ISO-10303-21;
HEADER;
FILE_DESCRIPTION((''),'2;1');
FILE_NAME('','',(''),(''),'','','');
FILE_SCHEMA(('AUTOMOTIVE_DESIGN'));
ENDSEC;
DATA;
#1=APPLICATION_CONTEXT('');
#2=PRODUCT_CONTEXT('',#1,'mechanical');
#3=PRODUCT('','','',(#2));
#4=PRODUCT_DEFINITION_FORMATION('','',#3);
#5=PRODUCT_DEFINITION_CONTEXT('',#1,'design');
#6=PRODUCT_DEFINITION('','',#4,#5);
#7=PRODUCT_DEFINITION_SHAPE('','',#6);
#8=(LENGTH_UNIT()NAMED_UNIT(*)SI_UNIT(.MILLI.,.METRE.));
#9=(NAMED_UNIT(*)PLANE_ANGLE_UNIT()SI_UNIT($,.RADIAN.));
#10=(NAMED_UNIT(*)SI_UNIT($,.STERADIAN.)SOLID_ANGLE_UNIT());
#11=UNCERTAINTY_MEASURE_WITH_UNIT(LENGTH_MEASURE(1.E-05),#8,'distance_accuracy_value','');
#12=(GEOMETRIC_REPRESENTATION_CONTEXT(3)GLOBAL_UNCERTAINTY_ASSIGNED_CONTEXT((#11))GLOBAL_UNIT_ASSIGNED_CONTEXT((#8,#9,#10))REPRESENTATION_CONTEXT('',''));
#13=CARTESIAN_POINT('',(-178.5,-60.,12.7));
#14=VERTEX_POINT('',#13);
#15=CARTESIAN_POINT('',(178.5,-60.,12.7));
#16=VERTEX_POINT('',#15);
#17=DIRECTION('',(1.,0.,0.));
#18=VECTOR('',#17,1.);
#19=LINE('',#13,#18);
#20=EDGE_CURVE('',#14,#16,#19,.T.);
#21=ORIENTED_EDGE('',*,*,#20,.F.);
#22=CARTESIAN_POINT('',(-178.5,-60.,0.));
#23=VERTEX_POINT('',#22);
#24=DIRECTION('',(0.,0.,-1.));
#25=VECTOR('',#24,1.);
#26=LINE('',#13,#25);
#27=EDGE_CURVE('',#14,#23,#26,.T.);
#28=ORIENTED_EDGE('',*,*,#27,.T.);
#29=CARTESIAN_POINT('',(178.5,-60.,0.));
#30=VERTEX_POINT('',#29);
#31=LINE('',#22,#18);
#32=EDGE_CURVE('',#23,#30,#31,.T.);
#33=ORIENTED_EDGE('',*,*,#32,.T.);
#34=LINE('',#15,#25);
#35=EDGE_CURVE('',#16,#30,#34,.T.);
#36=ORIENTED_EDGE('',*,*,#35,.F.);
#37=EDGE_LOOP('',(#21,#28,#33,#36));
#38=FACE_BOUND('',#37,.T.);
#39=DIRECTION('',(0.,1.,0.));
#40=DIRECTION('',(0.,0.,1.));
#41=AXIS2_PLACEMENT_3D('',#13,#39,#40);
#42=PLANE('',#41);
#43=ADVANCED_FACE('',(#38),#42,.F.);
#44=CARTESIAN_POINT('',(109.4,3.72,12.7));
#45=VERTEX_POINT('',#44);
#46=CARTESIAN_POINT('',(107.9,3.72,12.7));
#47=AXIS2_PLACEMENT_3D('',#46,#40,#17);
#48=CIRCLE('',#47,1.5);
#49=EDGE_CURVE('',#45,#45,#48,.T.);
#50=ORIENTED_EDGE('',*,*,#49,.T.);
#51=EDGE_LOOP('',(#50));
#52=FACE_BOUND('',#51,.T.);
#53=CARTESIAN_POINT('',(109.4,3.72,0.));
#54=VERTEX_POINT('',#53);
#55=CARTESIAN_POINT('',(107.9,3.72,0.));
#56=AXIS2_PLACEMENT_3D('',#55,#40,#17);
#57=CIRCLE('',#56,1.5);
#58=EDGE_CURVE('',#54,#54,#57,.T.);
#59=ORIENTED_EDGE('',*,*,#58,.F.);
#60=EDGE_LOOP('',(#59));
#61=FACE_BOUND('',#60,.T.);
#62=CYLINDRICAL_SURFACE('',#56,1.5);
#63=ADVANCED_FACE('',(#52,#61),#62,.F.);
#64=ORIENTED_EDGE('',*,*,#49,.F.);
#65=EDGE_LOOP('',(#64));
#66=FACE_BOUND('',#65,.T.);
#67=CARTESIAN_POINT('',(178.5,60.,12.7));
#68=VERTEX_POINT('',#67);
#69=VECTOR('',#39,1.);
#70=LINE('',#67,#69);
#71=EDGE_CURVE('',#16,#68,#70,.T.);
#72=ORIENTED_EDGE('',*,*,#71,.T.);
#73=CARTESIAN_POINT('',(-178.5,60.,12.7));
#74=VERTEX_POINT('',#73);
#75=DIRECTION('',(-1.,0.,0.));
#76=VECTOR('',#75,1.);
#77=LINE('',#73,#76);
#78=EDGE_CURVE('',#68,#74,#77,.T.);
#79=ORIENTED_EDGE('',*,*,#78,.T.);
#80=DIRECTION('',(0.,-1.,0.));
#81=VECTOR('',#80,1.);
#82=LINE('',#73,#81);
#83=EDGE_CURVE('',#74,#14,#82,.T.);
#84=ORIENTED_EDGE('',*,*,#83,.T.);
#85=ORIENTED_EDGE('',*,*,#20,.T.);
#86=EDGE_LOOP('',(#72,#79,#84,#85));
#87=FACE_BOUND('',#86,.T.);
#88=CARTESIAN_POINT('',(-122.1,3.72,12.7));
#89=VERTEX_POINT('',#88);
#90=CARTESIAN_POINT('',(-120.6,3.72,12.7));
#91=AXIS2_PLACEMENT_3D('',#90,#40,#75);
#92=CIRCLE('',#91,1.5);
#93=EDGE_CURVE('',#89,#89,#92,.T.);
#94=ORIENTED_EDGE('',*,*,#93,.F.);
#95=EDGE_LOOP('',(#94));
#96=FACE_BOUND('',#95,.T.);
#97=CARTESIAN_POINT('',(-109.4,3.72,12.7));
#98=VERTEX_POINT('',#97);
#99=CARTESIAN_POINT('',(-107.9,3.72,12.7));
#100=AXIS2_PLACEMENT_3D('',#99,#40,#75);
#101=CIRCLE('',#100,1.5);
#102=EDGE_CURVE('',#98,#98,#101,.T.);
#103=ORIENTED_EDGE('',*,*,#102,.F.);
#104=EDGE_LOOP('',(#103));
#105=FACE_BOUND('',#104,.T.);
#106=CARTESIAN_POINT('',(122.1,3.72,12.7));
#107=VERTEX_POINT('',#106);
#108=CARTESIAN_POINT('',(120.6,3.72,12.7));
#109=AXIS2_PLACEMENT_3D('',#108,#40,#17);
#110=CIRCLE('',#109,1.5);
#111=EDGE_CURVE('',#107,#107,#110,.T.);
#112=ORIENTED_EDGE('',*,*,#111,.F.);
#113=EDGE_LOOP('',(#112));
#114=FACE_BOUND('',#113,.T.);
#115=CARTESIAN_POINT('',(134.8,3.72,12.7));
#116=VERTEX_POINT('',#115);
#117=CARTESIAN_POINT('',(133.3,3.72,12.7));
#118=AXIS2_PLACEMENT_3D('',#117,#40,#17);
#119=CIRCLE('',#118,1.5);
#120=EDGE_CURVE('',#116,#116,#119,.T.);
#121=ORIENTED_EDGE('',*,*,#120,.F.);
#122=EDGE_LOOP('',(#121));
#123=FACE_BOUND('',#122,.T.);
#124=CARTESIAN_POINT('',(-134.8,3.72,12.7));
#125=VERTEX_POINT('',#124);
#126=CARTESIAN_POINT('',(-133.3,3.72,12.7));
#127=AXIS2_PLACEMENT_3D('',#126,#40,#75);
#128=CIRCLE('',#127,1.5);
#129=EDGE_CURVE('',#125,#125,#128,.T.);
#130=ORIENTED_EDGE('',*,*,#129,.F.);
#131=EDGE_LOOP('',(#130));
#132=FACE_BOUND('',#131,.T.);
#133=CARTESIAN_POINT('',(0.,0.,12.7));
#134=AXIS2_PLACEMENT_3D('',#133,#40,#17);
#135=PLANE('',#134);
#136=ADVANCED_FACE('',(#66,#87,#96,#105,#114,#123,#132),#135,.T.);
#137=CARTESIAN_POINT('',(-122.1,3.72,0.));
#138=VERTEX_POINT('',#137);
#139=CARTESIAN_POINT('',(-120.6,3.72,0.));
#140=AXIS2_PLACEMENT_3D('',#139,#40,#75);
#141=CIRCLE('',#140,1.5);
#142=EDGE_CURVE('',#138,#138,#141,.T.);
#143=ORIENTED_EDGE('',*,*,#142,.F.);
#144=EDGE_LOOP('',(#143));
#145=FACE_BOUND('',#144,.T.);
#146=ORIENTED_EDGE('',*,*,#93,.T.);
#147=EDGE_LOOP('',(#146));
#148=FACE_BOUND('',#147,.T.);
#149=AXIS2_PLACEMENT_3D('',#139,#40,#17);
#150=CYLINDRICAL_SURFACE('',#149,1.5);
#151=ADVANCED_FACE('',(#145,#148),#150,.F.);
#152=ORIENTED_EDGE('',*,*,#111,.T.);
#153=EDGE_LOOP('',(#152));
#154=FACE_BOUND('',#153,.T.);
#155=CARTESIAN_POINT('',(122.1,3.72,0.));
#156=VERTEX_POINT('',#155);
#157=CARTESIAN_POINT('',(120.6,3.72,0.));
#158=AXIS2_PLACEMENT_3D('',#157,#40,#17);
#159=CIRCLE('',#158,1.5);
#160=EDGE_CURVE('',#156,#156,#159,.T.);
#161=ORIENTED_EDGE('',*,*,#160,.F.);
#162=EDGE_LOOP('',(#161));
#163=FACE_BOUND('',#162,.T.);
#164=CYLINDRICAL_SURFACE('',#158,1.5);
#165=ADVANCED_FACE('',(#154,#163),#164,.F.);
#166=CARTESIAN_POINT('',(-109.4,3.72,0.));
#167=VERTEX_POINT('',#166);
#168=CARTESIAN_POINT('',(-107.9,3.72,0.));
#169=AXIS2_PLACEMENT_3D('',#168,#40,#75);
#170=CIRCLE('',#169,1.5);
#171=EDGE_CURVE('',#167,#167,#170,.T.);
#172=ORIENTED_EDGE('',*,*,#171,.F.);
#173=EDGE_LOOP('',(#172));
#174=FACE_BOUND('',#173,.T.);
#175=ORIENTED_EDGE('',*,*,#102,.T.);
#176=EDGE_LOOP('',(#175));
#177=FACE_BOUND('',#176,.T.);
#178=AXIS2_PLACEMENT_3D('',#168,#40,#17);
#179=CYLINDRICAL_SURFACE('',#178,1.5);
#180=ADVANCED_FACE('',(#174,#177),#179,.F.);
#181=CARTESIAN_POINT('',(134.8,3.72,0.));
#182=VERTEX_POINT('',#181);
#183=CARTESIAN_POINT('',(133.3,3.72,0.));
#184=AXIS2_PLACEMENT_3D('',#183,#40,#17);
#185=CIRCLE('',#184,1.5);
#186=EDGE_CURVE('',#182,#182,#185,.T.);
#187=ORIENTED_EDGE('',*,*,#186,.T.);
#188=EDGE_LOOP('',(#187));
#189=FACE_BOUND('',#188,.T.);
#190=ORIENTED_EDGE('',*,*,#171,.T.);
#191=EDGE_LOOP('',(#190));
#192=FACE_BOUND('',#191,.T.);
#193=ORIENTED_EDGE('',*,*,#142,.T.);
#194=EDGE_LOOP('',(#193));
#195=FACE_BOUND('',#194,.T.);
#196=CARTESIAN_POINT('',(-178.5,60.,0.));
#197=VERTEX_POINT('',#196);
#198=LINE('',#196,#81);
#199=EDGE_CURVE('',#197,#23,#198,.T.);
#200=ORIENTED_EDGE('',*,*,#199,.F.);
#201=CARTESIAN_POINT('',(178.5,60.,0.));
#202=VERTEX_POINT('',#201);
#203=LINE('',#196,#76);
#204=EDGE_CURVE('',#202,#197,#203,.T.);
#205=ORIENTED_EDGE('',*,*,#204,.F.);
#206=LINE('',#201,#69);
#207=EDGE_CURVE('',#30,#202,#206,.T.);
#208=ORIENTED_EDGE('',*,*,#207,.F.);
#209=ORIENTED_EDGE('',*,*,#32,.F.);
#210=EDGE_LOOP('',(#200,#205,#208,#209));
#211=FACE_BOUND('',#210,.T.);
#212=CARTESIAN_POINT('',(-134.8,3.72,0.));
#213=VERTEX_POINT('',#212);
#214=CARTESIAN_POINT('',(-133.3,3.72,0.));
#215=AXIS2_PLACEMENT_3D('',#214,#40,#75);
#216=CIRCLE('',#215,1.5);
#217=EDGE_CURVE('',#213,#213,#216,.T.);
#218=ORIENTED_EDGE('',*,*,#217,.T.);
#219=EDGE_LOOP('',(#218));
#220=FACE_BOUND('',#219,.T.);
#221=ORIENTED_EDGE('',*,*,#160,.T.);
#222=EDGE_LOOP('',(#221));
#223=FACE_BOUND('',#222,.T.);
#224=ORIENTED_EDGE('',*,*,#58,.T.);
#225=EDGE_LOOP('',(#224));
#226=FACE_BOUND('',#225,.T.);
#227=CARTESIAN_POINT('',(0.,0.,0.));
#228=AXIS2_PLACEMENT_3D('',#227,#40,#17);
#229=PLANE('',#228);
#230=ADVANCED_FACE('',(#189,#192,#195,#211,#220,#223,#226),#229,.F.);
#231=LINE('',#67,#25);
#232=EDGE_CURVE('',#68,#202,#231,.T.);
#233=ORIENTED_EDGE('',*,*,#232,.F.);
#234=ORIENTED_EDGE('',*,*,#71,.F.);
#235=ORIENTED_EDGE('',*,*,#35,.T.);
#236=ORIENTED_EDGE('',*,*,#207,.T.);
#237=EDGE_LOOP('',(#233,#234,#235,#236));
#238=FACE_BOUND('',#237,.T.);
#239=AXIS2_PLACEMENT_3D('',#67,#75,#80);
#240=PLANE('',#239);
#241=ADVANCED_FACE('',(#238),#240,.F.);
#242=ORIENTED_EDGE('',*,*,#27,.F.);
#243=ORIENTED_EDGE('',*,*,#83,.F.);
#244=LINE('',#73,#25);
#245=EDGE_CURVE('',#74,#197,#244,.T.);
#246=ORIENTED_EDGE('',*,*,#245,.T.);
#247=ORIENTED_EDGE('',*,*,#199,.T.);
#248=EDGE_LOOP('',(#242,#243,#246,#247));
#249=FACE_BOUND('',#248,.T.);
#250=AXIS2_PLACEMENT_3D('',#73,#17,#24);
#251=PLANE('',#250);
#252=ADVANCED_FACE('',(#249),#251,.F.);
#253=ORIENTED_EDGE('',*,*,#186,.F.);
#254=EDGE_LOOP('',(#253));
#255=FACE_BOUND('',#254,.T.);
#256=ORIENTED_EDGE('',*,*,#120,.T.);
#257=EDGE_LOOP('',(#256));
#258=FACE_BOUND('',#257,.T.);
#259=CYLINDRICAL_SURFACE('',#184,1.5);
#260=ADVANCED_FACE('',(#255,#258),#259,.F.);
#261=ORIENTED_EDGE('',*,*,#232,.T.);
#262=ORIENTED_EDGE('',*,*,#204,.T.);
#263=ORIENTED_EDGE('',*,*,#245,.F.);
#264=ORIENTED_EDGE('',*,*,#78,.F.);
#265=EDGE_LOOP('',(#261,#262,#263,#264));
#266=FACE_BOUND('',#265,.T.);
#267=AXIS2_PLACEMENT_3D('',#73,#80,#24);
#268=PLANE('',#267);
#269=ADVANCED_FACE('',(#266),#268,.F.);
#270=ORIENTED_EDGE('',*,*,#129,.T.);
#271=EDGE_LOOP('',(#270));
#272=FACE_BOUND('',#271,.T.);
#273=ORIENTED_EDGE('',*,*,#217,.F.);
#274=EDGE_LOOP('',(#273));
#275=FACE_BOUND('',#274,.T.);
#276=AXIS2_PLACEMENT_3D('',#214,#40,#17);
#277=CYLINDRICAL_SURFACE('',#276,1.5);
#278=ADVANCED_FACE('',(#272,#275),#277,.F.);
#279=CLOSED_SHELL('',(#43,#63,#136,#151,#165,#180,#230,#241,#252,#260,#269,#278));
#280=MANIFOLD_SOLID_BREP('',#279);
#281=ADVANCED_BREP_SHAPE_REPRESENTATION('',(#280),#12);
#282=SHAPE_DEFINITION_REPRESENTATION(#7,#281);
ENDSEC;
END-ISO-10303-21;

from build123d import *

# Parameters (mm, degrees)
SKETCH_1_W          = 357
SKETCH_1_H          = 120
EXTRUDE_1_DEPTH     = 12.7
SKETCH_2_R          = 1.5
CUT_EXTRUDE_1_DEPTH = 189.741993208


with BuildPart() as part:
    # 草图1 → 凸台-拉伸1 (new body)
    with BuildSketch(Plane.XY):
        Rectangle(SKETCH_1_W, SKETCH_1_H)
    extrude(amount=EXTRUDE_1_DEPTH)

    # 草图2 → 切除-拉伸1 (cut, through all)
    with BuildSketch(Plane.XY.offset(12.7)):
        with Locations((133.3, 3.72)):
            Circle(SKETCH_2_R)
        with Locations((120.6, 3.72)):
            Circle(SKETCH_2_R)
        with Locations((107.9, 3.72)):
            Circle(SKETCH_2_R)
        with Locations(Location((-107.9, 3.72, 0), (0, 0, 180))):
            Circle(SKETCH_2_R)
        with Locations(Location((-120.6, 3.72, 0), (0, 0, 180))):
            Circle(SKETCH_2_R)
        with Locations(Location((-133.3, 3.72, 0), (0, 0, 180))):
            Circle(SKETCH_2_R)
    extrude(amount=-CUT_EXTRUDE_1_DEPTH, mode=Mode.SUBTRACT)


solid = part.part
